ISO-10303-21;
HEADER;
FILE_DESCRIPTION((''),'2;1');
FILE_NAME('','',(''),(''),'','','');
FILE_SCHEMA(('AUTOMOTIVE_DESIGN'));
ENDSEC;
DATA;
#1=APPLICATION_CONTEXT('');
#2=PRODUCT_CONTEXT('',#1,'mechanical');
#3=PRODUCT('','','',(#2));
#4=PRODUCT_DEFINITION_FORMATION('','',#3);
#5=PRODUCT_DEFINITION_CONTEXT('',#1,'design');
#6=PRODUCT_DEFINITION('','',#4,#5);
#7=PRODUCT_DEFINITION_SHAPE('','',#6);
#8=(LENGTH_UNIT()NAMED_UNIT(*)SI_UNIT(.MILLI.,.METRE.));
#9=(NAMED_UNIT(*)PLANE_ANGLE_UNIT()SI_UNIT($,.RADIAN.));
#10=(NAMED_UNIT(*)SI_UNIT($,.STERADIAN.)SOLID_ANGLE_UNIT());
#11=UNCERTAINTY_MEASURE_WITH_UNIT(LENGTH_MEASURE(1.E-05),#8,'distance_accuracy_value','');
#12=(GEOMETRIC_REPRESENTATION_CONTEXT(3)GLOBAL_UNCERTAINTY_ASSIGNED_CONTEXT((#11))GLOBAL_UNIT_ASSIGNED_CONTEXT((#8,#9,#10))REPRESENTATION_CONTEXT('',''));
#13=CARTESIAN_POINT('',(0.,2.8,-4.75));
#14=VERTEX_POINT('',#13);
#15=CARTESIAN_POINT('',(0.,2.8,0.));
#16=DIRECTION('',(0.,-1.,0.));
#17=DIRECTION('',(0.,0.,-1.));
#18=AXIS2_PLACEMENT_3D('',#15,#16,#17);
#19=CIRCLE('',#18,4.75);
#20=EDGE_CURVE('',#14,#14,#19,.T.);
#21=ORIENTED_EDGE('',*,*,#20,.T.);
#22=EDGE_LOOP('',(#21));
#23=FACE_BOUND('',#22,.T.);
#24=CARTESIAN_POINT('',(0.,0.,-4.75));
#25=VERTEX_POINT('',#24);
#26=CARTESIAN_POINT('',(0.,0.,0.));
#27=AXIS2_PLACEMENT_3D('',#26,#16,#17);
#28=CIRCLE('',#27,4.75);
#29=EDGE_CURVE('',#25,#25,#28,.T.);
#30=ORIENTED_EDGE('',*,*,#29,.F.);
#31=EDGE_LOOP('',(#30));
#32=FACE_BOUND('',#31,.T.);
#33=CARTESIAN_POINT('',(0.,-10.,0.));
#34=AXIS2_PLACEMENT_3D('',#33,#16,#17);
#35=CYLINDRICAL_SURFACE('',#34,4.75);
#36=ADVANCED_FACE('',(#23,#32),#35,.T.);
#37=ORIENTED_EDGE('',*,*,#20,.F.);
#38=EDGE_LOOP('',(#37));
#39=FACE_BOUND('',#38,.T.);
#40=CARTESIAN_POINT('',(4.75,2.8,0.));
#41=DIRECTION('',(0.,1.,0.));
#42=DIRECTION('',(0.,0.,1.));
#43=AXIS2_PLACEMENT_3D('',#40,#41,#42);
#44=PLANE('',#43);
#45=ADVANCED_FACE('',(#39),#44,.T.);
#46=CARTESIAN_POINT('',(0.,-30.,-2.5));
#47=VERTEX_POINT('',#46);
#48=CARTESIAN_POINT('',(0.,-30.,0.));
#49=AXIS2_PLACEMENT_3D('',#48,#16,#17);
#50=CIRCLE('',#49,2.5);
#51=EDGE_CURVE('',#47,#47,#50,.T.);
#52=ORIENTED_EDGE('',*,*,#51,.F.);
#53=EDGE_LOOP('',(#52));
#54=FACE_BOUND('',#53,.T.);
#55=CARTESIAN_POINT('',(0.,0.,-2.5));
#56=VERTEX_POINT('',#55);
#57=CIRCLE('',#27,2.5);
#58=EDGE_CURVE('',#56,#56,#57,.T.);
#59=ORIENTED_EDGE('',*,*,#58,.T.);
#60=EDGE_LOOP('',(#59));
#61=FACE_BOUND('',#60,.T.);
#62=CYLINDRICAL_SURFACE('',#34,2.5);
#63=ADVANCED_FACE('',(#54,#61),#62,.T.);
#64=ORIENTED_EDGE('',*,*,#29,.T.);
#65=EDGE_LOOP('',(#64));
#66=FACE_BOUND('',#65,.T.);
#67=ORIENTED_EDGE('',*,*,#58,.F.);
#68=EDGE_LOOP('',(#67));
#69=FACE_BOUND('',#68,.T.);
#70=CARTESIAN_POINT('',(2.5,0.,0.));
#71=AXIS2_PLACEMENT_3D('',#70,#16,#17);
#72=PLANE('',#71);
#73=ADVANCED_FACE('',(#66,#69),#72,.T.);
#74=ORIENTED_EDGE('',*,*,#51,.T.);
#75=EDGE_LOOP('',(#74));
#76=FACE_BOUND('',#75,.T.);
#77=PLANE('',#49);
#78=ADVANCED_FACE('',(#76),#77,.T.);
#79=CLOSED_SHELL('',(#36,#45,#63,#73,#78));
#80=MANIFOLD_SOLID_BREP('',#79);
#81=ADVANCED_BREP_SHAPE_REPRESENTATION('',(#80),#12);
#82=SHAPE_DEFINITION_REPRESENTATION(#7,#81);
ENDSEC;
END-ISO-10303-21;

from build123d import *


with BuildPart() as part:
    # Sketch1 → Revolve1 (revolve)
    with BuildSketch(Plane.XY, mode=Mode.PRIVATE) as revolve1_sk:
        Polygon((0, -30), (2.5, -30), (2.5, 0), (4.75, 0), (4.75, 2.8), (0, 2.8), align=None)
    revolve(revolve1_sk.sketch.rotate(Axis((0, -10, 0), (0, 1, 0)), 90), axis=Axis((0, -10, 0), (0, 1, 0)))


solid = part.part
